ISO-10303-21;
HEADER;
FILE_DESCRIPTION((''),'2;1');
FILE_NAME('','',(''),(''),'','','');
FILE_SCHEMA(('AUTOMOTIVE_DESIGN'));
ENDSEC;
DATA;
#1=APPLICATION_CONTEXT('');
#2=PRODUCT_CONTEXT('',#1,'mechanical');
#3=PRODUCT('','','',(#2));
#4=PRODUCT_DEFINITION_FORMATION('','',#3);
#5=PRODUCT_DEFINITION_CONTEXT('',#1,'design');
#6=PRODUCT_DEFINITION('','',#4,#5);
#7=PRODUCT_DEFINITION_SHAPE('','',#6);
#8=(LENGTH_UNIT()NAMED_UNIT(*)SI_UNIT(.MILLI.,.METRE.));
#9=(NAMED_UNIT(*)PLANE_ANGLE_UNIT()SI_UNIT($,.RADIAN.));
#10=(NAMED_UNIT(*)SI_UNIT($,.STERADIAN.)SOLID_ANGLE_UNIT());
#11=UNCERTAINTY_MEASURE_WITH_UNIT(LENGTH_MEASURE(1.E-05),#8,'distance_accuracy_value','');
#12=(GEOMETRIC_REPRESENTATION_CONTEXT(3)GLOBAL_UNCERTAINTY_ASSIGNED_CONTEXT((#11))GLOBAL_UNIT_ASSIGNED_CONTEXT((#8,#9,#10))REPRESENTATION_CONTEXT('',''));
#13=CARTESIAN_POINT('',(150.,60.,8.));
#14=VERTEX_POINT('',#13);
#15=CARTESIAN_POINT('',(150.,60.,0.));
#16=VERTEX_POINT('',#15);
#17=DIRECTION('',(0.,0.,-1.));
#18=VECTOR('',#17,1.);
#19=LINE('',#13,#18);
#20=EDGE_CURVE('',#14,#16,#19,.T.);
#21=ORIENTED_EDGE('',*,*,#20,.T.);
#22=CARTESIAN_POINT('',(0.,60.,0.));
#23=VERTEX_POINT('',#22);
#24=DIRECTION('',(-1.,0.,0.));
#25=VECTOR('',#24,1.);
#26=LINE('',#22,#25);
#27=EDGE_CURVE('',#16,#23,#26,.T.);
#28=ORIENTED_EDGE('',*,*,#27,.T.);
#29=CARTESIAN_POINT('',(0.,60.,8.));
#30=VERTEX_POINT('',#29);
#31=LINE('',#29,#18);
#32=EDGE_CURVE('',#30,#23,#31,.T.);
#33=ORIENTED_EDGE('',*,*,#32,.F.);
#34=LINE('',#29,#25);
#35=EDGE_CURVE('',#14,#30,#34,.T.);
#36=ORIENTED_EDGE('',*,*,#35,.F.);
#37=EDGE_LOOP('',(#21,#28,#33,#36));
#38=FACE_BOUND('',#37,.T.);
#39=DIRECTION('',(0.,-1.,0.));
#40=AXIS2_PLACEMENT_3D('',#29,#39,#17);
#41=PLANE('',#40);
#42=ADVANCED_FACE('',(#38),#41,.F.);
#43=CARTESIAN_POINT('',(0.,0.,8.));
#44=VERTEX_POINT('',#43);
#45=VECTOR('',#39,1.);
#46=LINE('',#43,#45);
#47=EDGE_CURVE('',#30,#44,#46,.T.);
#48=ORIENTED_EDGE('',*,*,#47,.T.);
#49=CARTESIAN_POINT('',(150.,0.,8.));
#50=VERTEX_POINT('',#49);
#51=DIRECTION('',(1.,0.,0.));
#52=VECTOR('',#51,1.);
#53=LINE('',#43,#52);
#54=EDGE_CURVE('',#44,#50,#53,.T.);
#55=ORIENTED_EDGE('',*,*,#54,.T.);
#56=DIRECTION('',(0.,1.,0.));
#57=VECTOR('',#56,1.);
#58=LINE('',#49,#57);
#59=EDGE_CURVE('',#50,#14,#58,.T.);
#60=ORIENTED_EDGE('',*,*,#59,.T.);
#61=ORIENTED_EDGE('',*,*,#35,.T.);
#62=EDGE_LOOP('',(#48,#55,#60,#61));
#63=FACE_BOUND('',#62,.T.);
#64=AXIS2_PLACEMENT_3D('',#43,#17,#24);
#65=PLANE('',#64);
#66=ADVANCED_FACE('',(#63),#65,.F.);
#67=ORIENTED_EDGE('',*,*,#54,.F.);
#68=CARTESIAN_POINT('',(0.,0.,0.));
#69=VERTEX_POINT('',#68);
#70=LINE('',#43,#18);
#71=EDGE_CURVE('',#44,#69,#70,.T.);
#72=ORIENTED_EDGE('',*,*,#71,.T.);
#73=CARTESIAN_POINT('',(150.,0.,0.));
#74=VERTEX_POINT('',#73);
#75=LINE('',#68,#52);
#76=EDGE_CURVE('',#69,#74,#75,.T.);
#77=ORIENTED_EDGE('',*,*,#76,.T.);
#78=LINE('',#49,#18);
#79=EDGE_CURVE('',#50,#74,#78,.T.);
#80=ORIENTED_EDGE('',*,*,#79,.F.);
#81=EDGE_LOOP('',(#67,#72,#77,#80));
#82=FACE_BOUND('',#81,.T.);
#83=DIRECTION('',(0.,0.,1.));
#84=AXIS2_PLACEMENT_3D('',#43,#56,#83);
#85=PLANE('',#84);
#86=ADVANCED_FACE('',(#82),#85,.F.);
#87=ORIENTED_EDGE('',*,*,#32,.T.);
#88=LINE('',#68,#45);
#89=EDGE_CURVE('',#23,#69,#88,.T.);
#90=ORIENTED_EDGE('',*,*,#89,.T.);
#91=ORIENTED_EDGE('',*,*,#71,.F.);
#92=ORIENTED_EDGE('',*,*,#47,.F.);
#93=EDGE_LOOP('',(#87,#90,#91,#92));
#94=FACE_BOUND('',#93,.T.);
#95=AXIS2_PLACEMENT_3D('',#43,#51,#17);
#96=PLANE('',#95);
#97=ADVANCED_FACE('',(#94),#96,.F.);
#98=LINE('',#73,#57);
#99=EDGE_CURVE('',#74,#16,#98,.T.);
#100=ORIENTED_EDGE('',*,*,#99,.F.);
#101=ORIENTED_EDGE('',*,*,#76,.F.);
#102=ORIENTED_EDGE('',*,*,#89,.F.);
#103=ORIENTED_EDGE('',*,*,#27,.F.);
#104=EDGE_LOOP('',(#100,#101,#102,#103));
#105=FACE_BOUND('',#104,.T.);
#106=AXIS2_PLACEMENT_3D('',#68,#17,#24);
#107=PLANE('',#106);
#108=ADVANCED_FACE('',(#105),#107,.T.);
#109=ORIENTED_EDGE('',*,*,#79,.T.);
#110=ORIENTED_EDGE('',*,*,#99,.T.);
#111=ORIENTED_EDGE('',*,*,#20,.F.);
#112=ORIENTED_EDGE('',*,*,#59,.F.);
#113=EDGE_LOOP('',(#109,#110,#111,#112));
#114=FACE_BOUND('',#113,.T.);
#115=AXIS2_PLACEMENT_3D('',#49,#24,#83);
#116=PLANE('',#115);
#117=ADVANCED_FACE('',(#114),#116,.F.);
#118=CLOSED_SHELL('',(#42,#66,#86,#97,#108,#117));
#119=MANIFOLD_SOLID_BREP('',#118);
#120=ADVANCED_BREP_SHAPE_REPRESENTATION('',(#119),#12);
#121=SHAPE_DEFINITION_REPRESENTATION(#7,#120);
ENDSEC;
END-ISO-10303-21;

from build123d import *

# Parameters (mm, degrees)
SKETCH_1_W      = 150
SKETCH_1_H      = 60
EXTRUDE_1_DEPTH = 8


with BuildPart() as part:
    # 草图1 → 凸台-拉伸1 (new body)
    with BuildSketch(Plane.XY):
        with Locations((75, 30)):
            Rectangle(SKETCH_1_W, SKETCH_1_H)
    extrude(amount=EXTRUDE_1_DEPTH)


solid = part.part
